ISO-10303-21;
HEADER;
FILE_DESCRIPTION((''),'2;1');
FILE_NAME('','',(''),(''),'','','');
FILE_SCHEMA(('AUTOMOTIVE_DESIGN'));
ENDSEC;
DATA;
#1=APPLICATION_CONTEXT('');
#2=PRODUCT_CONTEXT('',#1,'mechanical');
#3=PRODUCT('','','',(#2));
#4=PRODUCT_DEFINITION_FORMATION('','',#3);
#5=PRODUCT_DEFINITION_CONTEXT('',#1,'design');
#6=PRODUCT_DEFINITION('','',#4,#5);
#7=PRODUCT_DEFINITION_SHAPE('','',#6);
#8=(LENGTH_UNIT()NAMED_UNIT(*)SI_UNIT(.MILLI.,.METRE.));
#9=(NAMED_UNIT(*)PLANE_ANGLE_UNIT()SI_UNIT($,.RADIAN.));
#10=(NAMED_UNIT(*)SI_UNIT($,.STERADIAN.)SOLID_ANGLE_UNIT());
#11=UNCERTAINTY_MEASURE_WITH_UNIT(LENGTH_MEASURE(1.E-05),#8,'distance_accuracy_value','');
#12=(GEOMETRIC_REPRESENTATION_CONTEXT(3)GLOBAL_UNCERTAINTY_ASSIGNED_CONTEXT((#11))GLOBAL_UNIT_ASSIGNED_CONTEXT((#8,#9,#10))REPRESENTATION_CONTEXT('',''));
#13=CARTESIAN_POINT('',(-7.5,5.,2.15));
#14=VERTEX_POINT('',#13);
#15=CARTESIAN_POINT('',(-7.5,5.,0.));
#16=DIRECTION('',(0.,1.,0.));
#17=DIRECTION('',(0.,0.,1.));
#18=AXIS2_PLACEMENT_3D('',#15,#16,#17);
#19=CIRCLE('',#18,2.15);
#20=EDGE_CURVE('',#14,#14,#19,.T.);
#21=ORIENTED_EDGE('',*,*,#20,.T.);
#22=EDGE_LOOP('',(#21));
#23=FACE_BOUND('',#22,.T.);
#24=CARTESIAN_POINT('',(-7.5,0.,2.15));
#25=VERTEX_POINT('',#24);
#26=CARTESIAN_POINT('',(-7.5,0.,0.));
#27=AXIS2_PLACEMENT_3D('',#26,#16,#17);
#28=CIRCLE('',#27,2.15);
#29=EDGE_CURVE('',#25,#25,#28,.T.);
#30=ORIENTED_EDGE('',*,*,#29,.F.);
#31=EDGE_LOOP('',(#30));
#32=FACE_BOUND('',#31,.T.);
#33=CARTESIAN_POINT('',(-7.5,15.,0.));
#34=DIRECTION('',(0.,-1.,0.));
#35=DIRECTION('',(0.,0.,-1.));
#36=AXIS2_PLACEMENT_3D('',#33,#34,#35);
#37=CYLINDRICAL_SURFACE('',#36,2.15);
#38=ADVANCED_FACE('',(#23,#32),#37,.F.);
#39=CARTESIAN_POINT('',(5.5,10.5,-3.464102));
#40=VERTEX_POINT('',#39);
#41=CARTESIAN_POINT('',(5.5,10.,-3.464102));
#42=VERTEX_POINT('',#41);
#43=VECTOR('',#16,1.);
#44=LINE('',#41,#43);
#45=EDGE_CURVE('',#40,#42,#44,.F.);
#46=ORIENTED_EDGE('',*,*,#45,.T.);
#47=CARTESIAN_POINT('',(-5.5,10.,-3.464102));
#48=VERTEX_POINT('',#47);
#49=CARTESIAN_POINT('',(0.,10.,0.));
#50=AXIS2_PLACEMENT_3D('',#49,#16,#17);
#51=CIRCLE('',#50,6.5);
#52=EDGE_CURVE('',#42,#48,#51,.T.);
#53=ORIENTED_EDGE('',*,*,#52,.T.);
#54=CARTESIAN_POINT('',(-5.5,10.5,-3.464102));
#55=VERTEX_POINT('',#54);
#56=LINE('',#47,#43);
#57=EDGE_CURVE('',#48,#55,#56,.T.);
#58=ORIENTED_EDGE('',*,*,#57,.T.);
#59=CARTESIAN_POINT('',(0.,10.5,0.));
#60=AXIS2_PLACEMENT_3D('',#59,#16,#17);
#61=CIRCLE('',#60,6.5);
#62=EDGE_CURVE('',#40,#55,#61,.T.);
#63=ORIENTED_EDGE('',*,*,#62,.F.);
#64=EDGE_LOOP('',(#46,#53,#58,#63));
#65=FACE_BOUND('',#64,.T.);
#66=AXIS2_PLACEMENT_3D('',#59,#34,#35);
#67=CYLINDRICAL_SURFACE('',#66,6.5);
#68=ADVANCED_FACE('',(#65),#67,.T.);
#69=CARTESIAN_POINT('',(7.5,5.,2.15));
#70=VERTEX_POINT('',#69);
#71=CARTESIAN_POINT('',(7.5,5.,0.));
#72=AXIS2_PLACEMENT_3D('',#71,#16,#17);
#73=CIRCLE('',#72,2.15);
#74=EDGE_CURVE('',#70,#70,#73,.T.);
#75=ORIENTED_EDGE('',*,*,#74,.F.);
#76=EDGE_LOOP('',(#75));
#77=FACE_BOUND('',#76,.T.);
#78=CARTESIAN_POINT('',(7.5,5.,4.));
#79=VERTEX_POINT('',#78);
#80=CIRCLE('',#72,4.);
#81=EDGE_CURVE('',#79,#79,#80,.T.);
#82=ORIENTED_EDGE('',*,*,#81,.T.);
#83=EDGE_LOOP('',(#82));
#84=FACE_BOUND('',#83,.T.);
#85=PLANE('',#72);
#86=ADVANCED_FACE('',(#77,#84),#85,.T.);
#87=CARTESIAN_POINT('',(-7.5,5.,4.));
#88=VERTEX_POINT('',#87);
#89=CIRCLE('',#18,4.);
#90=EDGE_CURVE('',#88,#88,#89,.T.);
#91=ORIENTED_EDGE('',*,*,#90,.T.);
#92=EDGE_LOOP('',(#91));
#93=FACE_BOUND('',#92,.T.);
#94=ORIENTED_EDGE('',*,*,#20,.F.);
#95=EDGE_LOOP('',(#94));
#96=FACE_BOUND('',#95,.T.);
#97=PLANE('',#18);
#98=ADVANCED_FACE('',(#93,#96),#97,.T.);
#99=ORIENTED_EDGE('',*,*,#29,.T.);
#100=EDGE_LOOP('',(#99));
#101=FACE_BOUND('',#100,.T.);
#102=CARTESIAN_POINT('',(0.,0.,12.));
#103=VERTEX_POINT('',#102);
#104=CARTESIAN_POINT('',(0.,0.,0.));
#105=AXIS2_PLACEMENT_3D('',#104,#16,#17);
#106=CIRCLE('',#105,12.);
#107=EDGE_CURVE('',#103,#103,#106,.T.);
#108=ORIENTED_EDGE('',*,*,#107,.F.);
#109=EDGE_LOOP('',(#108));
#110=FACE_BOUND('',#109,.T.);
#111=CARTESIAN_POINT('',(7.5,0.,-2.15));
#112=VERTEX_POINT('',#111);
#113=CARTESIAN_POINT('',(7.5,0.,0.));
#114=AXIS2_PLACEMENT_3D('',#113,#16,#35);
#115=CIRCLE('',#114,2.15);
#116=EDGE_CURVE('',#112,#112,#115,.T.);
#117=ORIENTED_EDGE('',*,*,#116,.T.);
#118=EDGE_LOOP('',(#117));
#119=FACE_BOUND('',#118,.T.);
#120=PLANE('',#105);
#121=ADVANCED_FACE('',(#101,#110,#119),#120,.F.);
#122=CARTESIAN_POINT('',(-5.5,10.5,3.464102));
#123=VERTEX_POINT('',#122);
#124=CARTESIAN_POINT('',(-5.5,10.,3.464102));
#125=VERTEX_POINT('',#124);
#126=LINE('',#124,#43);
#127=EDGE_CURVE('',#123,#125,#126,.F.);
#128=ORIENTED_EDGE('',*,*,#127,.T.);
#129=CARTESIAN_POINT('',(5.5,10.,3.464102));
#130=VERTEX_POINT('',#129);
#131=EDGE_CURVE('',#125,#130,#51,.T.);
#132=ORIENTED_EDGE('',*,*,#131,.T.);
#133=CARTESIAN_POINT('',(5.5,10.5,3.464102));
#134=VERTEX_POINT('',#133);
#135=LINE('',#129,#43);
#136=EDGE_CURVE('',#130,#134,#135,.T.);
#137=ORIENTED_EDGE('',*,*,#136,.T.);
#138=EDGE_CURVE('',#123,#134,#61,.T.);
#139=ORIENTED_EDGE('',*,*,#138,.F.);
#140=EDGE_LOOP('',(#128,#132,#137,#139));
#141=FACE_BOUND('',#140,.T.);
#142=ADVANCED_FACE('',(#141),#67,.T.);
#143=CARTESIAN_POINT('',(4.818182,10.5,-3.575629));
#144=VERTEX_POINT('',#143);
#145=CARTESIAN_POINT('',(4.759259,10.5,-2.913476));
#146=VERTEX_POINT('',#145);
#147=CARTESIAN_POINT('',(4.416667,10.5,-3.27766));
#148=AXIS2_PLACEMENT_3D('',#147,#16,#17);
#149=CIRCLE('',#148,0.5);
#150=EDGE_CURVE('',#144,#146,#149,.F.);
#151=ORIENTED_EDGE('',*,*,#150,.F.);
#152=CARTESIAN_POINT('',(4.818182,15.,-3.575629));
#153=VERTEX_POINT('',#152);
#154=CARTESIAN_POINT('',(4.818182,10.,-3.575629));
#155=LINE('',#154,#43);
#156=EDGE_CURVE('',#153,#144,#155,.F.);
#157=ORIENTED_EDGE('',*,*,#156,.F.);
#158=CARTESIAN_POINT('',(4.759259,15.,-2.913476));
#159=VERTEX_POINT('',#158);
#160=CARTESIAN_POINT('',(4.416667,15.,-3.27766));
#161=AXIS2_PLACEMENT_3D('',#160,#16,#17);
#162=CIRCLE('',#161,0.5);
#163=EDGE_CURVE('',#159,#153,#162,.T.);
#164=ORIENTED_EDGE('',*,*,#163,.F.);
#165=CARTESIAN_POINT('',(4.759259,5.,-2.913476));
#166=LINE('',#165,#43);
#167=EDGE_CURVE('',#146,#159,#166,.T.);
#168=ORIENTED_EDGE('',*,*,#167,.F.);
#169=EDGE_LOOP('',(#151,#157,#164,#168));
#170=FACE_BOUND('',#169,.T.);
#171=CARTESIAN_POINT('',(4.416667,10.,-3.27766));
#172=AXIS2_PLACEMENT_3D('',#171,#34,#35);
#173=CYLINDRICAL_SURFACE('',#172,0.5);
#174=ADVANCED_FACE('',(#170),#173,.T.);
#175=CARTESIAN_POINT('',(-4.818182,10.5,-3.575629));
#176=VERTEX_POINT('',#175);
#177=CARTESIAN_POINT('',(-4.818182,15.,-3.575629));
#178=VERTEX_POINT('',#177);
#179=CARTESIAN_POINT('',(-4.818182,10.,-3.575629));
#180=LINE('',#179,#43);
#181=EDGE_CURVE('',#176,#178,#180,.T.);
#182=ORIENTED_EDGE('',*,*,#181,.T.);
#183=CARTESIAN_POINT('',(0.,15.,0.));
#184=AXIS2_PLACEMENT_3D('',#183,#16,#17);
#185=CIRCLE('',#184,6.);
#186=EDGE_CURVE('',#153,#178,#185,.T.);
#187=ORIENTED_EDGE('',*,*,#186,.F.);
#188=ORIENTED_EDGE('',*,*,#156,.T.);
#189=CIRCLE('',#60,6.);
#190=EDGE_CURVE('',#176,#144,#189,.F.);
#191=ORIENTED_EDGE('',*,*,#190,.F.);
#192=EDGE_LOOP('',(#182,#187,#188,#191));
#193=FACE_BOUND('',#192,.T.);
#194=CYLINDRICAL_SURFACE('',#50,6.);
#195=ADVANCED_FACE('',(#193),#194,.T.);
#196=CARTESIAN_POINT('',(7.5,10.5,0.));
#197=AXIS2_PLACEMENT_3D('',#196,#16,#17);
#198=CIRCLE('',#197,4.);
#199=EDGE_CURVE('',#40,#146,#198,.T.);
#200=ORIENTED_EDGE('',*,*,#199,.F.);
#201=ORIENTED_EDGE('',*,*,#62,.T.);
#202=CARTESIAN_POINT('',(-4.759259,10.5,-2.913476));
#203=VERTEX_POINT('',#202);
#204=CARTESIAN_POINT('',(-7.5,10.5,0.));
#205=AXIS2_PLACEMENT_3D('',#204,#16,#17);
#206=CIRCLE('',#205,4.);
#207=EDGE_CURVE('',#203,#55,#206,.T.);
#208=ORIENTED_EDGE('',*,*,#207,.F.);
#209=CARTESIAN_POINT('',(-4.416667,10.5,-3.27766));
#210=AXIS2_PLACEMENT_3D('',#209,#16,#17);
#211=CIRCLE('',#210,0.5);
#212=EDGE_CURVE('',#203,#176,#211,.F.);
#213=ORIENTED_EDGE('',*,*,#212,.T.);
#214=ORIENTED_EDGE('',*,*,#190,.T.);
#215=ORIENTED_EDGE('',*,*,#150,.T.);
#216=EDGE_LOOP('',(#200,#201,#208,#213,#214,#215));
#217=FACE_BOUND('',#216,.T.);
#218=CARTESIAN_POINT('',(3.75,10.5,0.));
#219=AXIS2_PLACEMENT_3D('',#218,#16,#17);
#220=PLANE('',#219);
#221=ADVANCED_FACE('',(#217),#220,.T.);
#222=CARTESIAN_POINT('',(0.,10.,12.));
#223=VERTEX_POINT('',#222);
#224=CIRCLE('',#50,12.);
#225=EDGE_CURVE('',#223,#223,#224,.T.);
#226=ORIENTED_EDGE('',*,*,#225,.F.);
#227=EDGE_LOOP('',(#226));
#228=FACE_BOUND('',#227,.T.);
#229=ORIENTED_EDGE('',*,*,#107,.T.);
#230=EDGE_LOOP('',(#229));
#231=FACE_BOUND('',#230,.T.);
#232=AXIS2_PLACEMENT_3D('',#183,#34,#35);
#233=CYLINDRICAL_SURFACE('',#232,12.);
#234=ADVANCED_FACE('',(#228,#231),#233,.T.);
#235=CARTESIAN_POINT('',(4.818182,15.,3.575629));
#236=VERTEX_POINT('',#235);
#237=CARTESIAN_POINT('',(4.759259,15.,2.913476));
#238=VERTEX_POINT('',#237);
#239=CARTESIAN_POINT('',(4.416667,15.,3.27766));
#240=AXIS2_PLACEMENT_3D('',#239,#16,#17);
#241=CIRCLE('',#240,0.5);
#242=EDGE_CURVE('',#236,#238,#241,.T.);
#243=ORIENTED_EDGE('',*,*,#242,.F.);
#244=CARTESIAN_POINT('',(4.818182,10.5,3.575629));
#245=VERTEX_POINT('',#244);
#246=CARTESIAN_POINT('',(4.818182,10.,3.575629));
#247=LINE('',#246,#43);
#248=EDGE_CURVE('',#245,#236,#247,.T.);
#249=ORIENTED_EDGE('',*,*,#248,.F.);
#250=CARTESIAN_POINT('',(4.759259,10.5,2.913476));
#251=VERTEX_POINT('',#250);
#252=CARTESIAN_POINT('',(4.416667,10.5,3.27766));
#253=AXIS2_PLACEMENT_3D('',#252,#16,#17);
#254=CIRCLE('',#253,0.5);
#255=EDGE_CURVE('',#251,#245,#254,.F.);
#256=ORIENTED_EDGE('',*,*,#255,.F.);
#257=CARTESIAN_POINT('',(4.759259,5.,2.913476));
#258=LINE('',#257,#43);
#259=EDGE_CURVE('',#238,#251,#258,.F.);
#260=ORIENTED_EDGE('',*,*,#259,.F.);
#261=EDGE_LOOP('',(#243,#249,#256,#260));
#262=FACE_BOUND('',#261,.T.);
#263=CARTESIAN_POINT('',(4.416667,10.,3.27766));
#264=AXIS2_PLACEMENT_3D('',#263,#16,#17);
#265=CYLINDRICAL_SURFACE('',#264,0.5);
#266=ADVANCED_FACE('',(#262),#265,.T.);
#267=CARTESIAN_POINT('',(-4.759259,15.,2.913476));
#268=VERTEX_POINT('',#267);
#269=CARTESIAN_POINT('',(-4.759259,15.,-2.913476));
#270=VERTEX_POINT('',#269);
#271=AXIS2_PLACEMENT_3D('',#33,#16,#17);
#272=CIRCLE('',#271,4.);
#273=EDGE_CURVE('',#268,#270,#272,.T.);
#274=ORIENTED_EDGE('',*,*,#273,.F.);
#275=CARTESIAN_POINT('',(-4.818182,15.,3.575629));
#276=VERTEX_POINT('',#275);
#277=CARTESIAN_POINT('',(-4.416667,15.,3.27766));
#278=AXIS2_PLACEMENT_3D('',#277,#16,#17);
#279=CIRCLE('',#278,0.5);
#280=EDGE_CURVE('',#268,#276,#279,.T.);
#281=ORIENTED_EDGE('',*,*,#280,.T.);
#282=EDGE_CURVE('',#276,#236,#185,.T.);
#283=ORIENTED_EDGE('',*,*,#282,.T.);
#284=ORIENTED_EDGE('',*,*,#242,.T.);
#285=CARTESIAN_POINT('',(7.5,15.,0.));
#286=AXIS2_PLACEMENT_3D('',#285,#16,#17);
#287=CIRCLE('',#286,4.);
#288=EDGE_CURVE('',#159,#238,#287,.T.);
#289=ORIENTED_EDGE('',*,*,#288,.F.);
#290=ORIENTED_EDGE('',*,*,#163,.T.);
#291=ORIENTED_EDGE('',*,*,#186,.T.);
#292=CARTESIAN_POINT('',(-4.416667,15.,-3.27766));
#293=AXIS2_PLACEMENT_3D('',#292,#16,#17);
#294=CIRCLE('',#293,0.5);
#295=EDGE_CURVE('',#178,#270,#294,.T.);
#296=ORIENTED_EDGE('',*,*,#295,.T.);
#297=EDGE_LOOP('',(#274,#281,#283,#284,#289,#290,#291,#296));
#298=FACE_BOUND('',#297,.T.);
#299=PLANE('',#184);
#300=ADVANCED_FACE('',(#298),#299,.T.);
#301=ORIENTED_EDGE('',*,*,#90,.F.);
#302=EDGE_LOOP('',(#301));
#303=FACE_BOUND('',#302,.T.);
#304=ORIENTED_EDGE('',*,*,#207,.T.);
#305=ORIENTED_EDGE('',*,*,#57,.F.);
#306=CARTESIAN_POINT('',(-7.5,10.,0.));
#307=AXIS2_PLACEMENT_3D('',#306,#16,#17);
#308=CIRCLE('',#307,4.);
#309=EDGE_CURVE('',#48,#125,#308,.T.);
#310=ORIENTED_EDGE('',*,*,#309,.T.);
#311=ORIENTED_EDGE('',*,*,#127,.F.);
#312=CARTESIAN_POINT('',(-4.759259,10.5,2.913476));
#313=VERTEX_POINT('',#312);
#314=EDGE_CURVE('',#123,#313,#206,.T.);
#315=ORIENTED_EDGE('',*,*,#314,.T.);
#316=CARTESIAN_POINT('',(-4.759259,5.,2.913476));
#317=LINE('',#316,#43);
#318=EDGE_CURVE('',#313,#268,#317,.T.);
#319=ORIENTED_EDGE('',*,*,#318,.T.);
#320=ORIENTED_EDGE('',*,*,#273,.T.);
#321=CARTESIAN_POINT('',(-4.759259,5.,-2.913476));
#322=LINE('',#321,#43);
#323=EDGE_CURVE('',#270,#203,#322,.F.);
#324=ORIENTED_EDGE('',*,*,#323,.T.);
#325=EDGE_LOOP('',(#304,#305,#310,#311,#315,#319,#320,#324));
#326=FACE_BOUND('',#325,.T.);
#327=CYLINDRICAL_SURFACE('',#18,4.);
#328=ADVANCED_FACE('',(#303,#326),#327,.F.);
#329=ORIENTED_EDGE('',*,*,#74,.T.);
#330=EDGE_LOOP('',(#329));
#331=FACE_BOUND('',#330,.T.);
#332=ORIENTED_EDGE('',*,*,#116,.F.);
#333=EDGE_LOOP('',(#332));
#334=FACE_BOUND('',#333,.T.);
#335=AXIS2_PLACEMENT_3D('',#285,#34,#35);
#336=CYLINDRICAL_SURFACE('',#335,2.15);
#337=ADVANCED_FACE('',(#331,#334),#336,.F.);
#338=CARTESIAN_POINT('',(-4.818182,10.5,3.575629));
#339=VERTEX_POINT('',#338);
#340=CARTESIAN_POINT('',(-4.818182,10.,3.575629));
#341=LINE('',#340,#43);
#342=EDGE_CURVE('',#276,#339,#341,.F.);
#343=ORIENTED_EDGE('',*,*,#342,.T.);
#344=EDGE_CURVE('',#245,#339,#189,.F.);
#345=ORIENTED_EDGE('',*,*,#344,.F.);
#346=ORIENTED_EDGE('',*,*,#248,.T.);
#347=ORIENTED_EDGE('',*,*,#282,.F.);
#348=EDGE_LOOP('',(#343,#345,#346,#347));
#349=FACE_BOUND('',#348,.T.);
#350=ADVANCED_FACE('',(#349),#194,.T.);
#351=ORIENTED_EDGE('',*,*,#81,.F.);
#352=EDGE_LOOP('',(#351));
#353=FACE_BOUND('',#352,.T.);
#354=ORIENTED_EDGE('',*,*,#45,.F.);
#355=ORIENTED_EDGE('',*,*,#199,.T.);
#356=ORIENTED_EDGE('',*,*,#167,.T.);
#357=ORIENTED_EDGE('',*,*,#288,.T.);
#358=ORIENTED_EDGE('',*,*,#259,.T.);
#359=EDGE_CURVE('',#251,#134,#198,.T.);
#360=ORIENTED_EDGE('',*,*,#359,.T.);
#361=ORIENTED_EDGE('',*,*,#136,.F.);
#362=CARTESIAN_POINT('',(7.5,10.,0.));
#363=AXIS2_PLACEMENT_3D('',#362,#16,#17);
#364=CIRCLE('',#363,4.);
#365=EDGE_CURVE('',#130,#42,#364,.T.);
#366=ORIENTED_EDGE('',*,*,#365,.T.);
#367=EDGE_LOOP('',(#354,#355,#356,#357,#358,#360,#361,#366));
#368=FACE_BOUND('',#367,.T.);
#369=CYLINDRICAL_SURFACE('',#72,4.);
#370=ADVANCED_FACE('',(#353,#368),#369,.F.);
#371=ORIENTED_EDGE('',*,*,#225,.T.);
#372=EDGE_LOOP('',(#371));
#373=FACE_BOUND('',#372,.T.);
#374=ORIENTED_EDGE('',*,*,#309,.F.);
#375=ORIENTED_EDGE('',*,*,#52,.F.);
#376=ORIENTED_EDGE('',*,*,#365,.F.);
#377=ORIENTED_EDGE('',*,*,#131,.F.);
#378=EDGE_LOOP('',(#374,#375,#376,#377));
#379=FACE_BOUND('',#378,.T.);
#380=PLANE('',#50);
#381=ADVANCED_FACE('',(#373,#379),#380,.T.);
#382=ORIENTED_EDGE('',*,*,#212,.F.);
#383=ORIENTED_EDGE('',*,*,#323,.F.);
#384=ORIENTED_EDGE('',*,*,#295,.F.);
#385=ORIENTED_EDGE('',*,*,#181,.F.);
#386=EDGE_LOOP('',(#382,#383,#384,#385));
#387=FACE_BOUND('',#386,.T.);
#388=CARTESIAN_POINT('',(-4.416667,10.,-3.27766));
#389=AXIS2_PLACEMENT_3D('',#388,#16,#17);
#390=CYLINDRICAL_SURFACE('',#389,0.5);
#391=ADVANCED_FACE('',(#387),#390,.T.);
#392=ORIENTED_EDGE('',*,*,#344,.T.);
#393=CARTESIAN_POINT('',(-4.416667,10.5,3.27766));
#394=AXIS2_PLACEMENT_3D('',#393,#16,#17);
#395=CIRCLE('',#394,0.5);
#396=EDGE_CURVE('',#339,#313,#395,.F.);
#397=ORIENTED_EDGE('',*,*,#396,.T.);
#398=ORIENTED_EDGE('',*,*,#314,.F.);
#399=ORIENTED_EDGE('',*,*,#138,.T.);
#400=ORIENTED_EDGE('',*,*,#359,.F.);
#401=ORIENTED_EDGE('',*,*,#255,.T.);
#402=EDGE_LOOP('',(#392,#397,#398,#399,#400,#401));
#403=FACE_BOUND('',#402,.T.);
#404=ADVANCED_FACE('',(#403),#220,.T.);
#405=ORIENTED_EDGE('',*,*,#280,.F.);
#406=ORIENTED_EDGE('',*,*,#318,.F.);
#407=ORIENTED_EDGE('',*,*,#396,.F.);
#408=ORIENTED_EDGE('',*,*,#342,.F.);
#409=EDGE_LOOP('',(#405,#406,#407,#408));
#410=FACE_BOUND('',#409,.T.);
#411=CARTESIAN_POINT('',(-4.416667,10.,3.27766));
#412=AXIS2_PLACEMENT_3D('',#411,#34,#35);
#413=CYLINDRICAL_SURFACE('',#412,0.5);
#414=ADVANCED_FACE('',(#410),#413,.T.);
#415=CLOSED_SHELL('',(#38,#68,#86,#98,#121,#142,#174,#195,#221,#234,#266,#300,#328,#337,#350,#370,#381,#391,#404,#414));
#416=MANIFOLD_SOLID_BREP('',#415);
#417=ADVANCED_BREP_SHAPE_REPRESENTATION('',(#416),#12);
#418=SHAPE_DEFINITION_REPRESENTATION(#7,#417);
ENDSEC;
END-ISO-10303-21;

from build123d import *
from build123d.topology import SkipClean

# Parameters (mm, degrees)
SKETCH_1_R          = 12
SKETCH_1_R_2        = 2.15
EXTRUDE_1_DEPTH     = 15
CUT_EXTRUDE_START   = -5
SKETCH_2_R          = 12
CUT_EXTRUDE_1_DEPTH = 5
EXTRUDE_2_DEPTH     = 0.5
SKETCH_4_R          = 4
CUT_EXTRUDE_2_DEPTH = 10
FILLET_1_R          = 0.5


with BuildPart() as part:
    # ｽｹｯﾁ1 → ﾎﾞｽ - 押し出し1 (new body)
    with BuildSketch(Plane(origin=(0, 0, 0), x_dir=(1, 0, 0), z_dir=(0, 1, 0))):
        with Locations(Location((0, 0, 0), (0, 0, 270))):
            Circle(SKETCH_1_R)
        with Locations(Location((-7.5, 0, 0), (0, 0, 270))):
            Circle(SKETCH_1_R_2, mode=Mode.SUBTRACT)
        with Locations(Location((7.5, 0, 0), (0, 0, 90))):
            Circle(SKETCH_1_R_2, mode=Mode.SUBTRACT)
    extrude(amount=EXTRUDE_1_DEPTH)

    # ｽｹｯﾁ2 → ｶｯﾄ - 押し出し1 (cut)
    with BuildSketch(Plane(origin=(0, 15, 0), x_dir=(1, 0, 0), z_dir=(0, 1, 0)).offset(CUT_EXTRUDE_START)):
        with Locations(Location((0, 0, 0), (0, 0, 270))):
            Circle(SKETCH_2_R)
        with BuildLine():
            ThreePointArc((5.841833333, 1.368569803), (0, 6), (-5.841833333, 1.368569803))
            ThreePointArc((-5.841833333, 1.368569803), (-5.35, 0), (-5.841833333, -1.368569803))
            ThreePointArc((-5.841833333, -1.368569803), (0, -6), (5.841833333, -1.368569803))
            ThreePointArc((5.841833333, -1.368569803), (5.35, 0), (5.841833333, 1.368569803))
        make_face(mode=Mode.SUBTRACT)
    extrude(amount=CUT_EXTRUDE_1_DEPTH, mode=Mode.SUBTRACT)

    # ｽｹｯﾁ3 → ﾎﾞｽ - 押し出し2 (add)
    with SkipClean():  # the faces are left unmerged after this step: merging them gives an invalid solid
        with BuildSketch(Plane(origin=(0, 10, 0), x_dir=(1, 0, 0), z_dir=(0, 1, 0))):
            with BuildLine():
                ThreePointArc((-6.2585, -1.755328388), (0, -6.5), (6.2585, -1.755328388))
                ThreePointArc((6.2585, -1.755328388), (6.03732702, -1.575781633), (5.841833333, -1.368569803))
                ThreePointArc((5.841833333, -1.368569803), (5.35, 0), (5.841833333, 1.368569803))
                ThreePointArc((5.841833333, 1.368569803), (6.03732702, 1.575781633), (6.2585, 1.755328388))
                ThreePointArc((6.2585, 1.755328388), (0, 6.5), (-6.2585, 1.755328388))
                ThreePointArc((-6.2585, 1.755328388), (-6.03732702, 1.575781633), (-5.841833333, 1.368569803))
                ThreePointArc((-5.841833333, 1.368569803), (-5.35, 0), (-5.841833333, -1.368569803))
                ThreePointArc((-5.841833333, -1.368569803), (-6.03732702, -1.575781633), (-6.2585, -1.755328388))
            make_face()
        extrude(amount=EXTRUDE_2_DEPTH)

    # ｽｹｯﾁ4 → ｶｯﾄ - 押し出し2 (cut)
    with BuildSketch(Plane(origin=(0, 15, 0), x_dir=(1, 0, 0), z_dir=(0, 1, 0))):
        with Locations(Location((-7.5, 0, 0), (0, 0, 270))):
            Circle(SKETCH_4_R)
        with Locations(Location((7.5, 0, 0), (0, 0, 270))):
            Circle(SKETCH_4_R)
    extrude(amount=-CUT_EXTRUDE_2_DEPTH, mode=Mode.SUBTRACT)

    # ﾌｨﾚｯﾄ1
    fillet_1_edges = [part.edges().sort_by_distance(p)[0] for p in [
        (-5.083333333, 12.75, 3.187431916),
        (-5.083333333, 12.75, -3.187431916),
        (5.083333333, 12.75, 3.187431916),
        (5.083333333, 12.75, -3.187431916),
    ]]
    fillet(fillet_1_edges, radius=FILLET_1_R)


solid = part.part
